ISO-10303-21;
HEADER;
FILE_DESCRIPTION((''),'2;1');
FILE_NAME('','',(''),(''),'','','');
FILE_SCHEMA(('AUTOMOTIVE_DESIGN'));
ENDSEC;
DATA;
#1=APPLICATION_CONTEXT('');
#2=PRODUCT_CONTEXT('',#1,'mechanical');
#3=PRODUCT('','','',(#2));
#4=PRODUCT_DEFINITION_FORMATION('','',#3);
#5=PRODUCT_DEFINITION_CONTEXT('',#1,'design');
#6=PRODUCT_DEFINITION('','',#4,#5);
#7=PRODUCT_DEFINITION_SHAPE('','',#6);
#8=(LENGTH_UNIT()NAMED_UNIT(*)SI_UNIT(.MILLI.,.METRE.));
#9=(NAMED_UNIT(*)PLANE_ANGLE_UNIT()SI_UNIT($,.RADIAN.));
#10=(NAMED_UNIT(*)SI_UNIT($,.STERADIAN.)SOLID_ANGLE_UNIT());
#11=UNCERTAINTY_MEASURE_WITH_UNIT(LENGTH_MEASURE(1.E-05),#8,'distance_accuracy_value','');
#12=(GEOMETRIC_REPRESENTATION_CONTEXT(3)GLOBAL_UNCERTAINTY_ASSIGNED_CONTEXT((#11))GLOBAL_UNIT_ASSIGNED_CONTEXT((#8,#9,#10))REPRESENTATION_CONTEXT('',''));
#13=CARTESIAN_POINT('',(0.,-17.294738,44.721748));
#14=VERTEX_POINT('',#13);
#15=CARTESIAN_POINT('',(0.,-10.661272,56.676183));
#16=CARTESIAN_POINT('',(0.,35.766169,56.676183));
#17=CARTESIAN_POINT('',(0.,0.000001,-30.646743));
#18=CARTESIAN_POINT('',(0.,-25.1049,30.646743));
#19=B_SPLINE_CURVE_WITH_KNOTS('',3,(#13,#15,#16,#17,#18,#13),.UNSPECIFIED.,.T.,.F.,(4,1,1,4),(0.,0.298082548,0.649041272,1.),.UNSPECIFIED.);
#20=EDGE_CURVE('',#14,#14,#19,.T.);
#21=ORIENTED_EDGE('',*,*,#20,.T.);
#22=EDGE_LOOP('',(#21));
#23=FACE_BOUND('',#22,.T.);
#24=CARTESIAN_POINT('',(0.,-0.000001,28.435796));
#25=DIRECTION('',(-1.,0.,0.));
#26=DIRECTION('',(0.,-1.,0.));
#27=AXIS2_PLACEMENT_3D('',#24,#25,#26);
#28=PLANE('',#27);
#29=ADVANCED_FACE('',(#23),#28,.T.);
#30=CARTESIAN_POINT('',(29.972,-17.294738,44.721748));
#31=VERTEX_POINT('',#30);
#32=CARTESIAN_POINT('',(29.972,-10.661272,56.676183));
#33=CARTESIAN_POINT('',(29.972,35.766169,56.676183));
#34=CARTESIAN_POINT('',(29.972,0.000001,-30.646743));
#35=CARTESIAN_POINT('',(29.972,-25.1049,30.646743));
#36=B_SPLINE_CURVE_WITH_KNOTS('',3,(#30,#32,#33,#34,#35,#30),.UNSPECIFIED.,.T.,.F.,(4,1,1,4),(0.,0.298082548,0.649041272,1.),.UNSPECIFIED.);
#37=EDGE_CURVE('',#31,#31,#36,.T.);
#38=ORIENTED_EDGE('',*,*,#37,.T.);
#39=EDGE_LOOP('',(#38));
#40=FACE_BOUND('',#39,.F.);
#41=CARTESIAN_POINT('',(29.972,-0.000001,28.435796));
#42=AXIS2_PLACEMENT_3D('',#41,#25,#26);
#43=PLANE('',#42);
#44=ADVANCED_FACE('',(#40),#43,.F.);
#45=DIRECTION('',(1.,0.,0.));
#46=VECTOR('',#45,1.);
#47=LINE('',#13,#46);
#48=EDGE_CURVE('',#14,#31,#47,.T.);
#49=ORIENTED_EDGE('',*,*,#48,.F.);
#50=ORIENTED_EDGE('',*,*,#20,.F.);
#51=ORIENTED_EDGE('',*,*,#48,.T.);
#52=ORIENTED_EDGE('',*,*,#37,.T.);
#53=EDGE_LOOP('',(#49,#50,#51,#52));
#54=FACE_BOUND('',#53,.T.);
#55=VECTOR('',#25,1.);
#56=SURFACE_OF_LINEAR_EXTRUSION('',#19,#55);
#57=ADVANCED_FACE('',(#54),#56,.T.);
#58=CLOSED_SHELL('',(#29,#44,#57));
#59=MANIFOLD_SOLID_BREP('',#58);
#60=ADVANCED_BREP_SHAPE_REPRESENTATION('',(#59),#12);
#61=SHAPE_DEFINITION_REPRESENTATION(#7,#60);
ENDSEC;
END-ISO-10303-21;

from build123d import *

# Parameters (mm, degrees)
F1_DEPTH = 29.972


with BuildPart() as f1:
    # F0 (on Right) → F1 (new body)
    with BuildSketch(Plane.YZ):
        with BuildLine():
            add(Edge.make_bspline(
                [(-17.2947384417, 44.7217480186), (-10.6612723261, 56.6761832407), (35.7661691524, 56.6761833015), (5.312e-07, -30.6467429582), (-25.1048999114, 30.6467429253), (-17.2947384417, 44.7217480186)],
                knots=[0, 0, 0, 0, 0.2980825475, 0.6490412725, 1, 1, 1, 1], degree=3))
        make_face()
    extrude(amount=F1_DEPTH)


solid = f1.part
